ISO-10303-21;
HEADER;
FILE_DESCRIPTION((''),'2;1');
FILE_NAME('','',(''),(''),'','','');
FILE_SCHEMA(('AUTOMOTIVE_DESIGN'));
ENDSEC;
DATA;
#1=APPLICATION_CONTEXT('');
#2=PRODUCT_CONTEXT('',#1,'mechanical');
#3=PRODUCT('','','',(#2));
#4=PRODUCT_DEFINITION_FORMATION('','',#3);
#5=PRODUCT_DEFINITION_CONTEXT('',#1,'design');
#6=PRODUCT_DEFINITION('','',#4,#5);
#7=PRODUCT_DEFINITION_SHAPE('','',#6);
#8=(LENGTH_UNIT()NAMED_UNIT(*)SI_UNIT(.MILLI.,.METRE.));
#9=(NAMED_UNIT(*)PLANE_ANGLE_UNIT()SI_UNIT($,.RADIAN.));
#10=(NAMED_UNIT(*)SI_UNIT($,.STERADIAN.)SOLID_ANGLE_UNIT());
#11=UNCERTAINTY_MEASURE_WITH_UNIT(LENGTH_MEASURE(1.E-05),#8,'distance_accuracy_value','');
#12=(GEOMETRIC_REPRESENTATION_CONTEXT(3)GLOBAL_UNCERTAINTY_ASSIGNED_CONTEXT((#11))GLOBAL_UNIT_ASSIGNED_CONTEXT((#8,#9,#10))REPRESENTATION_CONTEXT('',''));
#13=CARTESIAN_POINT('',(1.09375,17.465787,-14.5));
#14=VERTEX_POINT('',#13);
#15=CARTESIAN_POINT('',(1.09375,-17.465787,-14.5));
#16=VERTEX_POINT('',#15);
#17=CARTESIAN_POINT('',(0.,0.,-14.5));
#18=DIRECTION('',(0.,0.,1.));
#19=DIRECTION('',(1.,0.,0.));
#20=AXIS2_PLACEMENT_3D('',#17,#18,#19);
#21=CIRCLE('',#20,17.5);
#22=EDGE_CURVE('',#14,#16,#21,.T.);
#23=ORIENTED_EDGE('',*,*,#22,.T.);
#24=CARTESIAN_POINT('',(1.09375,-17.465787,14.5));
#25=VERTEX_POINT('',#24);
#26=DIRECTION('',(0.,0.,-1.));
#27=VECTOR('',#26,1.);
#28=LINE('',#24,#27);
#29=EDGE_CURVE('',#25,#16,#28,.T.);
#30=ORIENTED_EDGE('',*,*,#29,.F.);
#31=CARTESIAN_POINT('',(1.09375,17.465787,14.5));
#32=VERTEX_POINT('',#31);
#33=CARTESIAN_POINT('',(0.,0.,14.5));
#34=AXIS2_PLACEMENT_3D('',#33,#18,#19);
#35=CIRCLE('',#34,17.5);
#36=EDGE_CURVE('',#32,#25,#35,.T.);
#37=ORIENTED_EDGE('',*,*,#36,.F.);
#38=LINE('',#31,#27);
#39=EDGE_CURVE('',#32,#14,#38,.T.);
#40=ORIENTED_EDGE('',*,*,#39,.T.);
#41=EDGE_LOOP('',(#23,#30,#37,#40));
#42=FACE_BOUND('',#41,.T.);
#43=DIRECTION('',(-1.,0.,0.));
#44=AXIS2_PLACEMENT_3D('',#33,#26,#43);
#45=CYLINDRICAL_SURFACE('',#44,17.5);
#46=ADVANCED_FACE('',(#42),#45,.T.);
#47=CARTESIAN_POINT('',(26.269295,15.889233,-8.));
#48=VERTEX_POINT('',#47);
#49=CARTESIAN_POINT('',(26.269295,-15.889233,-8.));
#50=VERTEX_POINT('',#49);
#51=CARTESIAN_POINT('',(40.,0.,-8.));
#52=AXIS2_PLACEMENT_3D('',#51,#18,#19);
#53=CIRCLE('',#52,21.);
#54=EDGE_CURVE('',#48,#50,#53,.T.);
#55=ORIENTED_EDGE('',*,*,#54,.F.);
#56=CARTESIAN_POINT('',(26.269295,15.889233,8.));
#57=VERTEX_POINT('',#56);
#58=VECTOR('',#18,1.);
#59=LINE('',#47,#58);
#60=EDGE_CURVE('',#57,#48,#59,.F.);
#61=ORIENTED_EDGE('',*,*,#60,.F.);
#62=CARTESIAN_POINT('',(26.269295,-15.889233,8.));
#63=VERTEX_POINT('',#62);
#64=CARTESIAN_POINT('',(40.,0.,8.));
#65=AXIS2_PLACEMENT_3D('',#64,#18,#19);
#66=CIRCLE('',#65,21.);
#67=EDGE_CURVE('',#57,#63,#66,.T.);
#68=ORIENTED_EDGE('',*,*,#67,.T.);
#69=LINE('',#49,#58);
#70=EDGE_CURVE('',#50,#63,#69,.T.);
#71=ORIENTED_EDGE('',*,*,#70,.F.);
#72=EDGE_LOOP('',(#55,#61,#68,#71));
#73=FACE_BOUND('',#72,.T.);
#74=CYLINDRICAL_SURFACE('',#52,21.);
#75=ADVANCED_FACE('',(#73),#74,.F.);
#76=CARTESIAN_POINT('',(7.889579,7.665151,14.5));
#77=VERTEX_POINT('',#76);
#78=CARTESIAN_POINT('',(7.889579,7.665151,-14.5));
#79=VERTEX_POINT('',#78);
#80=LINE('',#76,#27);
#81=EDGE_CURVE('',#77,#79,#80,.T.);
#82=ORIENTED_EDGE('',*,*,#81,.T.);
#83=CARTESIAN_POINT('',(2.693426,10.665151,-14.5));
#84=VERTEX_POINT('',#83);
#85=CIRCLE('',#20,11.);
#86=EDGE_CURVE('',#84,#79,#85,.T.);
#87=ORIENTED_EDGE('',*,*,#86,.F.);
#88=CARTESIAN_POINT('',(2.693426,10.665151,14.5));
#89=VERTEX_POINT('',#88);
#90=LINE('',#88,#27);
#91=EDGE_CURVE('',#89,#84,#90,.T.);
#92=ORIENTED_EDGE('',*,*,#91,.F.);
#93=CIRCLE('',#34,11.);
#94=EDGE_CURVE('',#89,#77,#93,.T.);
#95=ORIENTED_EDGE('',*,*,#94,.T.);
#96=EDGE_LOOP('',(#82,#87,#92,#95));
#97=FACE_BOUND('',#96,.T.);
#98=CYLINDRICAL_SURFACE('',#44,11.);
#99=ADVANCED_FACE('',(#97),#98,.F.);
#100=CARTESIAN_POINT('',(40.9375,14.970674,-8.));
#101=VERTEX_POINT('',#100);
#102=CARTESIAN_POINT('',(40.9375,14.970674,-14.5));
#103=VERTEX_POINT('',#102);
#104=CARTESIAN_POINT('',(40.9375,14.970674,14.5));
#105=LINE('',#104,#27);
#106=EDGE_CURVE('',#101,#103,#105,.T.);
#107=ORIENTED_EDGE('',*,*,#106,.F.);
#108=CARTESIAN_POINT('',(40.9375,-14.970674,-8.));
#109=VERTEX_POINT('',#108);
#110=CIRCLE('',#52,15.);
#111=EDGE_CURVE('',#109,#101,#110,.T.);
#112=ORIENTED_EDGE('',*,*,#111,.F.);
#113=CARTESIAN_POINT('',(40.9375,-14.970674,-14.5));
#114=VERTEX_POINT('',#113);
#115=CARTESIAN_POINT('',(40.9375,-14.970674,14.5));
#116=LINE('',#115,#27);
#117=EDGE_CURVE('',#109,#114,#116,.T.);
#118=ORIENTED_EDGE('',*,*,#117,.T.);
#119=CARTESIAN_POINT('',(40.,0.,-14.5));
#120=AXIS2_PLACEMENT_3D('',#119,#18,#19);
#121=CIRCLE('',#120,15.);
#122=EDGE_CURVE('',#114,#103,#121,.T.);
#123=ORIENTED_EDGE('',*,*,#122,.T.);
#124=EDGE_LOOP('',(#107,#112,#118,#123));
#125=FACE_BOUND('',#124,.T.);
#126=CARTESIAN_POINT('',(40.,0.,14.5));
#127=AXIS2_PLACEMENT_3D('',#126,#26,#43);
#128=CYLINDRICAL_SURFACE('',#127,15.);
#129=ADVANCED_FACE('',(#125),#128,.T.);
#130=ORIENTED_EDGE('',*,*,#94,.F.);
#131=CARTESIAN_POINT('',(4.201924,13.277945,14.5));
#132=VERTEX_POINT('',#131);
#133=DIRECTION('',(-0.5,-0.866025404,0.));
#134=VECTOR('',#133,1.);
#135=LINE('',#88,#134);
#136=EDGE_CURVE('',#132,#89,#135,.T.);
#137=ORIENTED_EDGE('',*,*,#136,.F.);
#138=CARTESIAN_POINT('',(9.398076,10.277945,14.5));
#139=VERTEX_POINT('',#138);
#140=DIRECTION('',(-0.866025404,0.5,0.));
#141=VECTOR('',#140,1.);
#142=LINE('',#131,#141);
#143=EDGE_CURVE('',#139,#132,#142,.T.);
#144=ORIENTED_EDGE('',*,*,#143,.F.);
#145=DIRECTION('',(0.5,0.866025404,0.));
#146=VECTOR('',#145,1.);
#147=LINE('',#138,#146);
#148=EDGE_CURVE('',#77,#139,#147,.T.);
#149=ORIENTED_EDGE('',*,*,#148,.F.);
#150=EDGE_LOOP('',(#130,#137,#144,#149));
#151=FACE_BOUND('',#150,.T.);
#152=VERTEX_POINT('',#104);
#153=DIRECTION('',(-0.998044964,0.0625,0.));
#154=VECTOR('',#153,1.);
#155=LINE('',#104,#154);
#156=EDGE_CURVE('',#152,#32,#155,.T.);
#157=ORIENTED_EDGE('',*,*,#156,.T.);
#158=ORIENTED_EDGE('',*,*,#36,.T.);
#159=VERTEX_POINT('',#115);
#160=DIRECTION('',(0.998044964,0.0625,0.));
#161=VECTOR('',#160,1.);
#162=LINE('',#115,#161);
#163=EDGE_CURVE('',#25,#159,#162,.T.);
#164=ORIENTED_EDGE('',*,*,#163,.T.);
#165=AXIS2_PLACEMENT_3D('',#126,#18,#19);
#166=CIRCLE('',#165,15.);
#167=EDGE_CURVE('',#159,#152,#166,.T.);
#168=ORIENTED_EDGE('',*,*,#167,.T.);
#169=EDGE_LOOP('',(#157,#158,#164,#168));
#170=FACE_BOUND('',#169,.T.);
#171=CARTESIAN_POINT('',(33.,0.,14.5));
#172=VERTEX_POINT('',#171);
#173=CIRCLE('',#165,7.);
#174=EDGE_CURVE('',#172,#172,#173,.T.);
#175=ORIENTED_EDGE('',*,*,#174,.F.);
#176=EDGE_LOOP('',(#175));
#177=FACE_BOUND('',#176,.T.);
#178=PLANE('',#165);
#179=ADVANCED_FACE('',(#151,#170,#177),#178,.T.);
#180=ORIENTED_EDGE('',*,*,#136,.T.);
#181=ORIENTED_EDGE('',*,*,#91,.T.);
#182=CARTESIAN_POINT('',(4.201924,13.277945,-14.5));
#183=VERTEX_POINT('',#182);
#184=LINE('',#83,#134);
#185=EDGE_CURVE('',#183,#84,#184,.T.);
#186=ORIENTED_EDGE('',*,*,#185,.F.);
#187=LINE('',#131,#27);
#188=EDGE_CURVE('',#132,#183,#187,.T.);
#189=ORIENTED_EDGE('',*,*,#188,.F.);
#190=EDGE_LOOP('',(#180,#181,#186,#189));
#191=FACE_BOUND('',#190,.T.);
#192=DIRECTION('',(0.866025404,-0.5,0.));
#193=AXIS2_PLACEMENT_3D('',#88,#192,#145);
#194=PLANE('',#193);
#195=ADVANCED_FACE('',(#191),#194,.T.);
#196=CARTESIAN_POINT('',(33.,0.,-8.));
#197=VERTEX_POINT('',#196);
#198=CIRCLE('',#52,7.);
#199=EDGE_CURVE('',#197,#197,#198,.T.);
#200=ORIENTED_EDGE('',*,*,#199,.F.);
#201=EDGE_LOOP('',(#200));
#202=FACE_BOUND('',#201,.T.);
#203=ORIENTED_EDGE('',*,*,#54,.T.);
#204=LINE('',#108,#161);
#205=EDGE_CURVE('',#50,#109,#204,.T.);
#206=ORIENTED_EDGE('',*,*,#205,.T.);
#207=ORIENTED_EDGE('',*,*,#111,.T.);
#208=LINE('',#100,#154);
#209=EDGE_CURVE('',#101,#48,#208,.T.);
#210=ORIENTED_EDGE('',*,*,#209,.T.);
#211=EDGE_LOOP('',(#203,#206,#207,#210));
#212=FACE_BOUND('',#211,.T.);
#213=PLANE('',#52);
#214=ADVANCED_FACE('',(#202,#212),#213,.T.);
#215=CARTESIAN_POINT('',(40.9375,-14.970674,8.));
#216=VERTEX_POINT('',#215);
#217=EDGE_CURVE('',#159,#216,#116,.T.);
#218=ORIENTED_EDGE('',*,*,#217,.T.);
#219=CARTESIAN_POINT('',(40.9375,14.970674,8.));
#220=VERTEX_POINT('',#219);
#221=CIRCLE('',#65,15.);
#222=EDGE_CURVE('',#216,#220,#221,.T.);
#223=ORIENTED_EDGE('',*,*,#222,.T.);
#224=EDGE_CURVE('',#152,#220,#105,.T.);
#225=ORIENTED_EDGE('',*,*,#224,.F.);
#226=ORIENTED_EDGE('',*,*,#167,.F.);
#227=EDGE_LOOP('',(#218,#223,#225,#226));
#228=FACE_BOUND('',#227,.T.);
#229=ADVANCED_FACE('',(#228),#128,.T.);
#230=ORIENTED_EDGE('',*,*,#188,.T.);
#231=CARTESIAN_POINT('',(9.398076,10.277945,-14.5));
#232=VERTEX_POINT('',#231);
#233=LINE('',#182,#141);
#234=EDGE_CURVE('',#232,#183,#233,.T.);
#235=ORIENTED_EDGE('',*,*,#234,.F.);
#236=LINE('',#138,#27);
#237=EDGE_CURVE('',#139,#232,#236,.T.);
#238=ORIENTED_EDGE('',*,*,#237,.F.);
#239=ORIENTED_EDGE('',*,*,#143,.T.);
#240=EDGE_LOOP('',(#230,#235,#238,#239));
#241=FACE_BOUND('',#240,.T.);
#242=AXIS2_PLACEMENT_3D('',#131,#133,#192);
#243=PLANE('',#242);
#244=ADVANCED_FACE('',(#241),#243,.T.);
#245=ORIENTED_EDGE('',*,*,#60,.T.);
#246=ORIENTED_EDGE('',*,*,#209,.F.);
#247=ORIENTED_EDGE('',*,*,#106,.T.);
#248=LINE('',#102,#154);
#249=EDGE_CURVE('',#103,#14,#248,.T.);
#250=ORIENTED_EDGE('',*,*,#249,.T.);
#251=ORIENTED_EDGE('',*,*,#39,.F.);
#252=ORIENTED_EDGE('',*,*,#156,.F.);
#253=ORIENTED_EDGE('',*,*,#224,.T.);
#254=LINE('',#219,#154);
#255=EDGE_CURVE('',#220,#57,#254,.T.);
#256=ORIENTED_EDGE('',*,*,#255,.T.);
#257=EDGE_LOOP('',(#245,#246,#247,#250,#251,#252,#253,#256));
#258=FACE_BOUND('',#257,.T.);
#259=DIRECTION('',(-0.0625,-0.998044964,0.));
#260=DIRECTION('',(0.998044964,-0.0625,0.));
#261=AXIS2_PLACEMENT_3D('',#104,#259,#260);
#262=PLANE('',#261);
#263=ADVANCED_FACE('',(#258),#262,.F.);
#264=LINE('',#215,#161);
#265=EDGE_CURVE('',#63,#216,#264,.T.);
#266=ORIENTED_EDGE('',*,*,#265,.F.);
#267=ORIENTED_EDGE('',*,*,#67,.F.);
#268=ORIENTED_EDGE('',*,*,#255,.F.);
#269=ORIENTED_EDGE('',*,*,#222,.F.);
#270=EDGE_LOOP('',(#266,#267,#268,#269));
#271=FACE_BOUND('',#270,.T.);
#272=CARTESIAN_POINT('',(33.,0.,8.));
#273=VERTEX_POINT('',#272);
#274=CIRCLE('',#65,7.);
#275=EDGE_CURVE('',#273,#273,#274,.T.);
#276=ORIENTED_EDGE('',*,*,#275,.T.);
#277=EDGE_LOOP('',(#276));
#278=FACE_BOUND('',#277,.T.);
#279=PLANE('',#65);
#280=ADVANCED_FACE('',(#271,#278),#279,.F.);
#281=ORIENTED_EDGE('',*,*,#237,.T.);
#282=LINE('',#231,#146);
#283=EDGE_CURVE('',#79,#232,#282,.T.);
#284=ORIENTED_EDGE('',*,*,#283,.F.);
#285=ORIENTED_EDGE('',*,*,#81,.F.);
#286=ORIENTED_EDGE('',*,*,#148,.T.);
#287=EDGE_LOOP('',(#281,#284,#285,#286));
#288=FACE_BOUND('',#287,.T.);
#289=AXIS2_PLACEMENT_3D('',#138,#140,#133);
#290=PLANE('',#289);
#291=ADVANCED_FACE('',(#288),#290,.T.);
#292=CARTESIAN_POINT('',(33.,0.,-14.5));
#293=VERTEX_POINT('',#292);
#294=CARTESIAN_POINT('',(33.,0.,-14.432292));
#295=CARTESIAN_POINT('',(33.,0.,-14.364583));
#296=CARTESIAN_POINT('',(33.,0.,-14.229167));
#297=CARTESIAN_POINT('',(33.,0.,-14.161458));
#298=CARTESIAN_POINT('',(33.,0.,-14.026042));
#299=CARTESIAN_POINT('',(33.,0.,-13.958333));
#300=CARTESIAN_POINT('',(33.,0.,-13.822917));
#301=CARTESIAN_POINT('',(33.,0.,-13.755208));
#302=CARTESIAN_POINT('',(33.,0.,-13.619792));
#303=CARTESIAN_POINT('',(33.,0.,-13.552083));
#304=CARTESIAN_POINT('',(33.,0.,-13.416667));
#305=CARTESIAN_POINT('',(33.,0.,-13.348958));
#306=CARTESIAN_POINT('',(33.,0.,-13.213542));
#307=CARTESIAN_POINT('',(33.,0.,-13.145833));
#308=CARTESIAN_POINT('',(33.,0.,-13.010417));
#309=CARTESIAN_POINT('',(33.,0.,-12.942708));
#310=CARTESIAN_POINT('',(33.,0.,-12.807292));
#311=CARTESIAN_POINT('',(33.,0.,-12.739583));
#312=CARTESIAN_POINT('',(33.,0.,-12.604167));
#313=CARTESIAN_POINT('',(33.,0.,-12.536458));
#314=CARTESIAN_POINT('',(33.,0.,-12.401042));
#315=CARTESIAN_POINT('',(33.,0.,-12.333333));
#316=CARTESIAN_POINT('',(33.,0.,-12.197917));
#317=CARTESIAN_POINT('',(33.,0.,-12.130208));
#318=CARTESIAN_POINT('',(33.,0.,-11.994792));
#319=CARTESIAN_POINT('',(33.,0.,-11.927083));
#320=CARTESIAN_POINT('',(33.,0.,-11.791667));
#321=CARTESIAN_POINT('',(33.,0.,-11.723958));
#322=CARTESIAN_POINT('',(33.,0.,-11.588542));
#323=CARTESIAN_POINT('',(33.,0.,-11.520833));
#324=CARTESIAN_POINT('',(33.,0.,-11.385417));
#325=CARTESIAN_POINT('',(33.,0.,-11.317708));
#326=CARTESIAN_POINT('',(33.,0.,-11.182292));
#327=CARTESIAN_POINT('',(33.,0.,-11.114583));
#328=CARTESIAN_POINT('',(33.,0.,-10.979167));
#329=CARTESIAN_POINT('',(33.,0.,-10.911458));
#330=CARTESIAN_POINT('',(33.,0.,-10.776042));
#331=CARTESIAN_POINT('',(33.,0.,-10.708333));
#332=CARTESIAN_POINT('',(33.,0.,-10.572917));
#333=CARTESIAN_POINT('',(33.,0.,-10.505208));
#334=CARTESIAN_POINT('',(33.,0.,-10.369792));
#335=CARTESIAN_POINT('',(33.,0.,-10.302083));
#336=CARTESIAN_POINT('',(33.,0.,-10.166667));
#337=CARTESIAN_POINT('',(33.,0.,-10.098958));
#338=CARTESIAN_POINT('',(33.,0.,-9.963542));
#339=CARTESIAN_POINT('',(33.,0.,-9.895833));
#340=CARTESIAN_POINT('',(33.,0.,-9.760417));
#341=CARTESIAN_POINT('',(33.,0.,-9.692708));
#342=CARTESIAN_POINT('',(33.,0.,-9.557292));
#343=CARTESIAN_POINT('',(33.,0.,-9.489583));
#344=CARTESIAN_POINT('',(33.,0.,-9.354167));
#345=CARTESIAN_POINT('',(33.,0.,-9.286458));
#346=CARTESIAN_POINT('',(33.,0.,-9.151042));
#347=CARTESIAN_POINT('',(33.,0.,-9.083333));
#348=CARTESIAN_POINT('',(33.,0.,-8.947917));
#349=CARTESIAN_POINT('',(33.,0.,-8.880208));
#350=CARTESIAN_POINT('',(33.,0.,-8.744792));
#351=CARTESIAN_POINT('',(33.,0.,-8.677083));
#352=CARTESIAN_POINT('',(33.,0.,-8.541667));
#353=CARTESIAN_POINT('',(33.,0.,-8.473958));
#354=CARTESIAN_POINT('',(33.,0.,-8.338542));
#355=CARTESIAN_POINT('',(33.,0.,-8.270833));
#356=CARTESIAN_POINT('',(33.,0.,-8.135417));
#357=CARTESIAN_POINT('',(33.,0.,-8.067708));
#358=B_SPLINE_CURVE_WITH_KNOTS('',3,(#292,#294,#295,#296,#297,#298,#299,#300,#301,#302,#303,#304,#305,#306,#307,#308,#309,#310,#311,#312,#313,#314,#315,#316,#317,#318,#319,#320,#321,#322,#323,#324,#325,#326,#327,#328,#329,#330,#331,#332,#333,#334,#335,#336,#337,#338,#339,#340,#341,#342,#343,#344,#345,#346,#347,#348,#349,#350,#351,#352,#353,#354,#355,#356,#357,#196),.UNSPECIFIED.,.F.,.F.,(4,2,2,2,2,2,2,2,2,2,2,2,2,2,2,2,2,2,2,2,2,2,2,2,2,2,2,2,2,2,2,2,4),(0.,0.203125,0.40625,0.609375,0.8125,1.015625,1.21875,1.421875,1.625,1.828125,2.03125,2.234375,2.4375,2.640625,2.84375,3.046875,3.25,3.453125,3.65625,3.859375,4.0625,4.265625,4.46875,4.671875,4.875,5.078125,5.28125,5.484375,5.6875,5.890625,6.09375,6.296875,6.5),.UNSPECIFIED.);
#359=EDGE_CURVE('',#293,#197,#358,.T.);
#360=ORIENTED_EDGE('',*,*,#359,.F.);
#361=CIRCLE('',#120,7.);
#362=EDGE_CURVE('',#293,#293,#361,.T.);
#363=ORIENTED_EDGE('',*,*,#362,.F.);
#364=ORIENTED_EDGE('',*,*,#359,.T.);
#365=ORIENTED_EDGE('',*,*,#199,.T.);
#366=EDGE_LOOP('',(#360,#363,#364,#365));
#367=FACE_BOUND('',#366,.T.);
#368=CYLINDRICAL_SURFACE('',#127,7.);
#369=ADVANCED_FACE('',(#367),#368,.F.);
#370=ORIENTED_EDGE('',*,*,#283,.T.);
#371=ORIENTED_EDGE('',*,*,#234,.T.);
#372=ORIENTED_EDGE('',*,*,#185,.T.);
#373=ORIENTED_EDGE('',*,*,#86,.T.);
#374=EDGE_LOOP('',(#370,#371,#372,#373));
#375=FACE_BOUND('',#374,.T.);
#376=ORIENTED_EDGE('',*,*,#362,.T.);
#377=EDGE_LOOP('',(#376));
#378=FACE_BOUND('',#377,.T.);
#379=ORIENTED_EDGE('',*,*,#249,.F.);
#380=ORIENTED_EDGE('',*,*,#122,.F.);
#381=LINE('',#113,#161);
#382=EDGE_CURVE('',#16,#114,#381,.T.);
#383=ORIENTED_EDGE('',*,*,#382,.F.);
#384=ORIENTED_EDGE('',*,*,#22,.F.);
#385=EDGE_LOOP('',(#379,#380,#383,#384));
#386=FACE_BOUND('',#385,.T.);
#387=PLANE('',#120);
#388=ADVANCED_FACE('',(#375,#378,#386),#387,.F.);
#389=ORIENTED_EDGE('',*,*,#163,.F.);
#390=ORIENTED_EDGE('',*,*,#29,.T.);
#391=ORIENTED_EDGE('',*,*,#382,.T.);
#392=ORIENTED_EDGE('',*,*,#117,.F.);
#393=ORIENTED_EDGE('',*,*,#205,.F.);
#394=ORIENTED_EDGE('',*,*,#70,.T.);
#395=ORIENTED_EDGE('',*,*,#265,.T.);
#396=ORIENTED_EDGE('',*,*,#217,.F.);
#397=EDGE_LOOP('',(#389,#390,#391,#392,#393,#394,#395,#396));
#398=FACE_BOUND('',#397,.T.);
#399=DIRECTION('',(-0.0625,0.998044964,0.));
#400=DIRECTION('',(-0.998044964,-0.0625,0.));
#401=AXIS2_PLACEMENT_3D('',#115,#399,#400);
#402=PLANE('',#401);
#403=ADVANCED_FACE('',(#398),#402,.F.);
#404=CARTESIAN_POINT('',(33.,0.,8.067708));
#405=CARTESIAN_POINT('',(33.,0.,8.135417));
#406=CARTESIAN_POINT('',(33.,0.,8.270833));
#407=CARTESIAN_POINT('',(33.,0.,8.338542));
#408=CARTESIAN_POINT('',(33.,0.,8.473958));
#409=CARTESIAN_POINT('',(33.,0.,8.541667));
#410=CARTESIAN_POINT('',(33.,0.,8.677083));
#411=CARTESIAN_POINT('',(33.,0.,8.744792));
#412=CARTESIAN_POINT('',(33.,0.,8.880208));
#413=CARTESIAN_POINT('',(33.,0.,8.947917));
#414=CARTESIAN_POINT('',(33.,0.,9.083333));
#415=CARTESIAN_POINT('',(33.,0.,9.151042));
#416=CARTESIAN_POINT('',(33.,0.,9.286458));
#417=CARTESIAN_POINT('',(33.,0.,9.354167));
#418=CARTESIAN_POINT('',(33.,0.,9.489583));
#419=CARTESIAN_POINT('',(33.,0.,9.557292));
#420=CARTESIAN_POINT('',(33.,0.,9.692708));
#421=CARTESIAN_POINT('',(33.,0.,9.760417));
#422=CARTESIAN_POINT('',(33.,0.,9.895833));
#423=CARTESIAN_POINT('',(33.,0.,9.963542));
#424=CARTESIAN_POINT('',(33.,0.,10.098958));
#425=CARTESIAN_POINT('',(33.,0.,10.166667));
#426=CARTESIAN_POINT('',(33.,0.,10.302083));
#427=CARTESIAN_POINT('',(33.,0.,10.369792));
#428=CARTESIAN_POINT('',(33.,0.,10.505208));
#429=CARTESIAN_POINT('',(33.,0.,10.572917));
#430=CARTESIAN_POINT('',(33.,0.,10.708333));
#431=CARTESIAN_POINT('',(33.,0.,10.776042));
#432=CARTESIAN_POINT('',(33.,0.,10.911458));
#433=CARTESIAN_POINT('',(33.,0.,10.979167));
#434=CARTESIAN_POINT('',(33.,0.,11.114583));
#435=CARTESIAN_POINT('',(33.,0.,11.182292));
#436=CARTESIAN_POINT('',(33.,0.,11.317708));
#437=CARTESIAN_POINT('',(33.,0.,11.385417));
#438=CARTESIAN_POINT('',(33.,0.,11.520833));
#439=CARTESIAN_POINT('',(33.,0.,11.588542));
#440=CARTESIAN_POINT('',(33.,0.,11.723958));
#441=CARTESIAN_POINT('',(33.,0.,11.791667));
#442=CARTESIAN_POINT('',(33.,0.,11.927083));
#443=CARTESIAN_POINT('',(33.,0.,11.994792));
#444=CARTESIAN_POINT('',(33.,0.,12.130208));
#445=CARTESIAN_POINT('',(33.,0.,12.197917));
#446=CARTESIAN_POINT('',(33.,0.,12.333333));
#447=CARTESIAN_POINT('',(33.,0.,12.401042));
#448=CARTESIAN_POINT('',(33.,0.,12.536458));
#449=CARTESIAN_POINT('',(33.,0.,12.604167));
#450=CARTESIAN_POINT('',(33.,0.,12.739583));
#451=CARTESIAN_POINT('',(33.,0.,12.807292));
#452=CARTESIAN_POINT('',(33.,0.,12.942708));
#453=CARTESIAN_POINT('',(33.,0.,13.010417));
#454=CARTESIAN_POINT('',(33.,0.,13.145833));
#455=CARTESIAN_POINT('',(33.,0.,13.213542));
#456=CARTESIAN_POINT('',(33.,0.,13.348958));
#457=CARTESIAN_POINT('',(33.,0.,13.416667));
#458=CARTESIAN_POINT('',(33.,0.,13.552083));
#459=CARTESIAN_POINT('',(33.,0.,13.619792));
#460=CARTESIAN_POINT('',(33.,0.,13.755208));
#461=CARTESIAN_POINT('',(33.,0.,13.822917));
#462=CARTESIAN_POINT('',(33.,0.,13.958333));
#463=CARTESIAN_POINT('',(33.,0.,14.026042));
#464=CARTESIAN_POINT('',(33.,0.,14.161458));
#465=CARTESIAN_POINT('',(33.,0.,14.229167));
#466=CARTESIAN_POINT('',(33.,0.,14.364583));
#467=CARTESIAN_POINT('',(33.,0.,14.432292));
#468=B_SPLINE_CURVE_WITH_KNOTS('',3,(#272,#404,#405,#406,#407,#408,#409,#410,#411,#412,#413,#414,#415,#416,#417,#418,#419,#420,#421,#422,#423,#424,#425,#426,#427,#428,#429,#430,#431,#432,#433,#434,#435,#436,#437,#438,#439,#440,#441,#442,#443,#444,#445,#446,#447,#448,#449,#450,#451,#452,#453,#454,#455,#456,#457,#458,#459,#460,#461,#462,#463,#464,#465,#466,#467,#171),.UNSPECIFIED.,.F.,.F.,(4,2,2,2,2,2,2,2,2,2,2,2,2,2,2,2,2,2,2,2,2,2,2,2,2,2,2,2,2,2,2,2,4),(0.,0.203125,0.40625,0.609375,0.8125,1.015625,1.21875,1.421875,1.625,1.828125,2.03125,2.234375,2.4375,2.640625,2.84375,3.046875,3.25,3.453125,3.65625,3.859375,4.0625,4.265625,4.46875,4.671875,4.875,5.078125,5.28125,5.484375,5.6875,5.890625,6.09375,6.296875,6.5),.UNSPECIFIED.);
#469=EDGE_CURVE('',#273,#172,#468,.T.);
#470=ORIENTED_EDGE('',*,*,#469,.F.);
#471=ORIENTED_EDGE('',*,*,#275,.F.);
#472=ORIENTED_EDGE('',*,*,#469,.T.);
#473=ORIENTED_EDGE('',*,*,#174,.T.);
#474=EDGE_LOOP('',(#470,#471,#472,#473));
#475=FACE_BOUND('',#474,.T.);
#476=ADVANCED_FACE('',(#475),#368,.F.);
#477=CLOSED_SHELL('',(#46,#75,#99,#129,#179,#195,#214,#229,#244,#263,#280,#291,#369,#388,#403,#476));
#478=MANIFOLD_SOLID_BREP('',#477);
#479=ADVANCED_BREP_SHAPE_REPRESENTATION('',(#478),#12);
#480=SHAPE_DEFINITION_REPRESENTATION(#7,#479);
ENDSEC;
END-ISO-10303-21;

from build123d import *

# Parameters (mm, degrees)
SKETCH_1_R          = 7
EXTRUDE_1_DEPTH     = 14.5
SKETCH_2_R          = 21
CUT_EXTRUDE_1_DEPTH = 8


with BuildPart() as part:
    # Эскиз1 → Бобышка-Вытянуть1 (new, symmetric)
    with BuildSketch(Plane.XY):
        with BuildLine():
            Line((40.9375, 14.970674459), (1.09375, 17.465786869))
            ThreePointArc((1.09375, 17.465786869), (-17.5, 0), (1.09375, -17.465786869))
            Line((1.09375, -17.465786869), (40.9375, -14.970674459))
            ThreePointArc((40.9375, -14.970674459), (55, 0), (40.9375, 14.970674459))
        make_face()
        with Locations(Location((40, 0, 0), (0, 0, 180))):
            Circle(SKETCH_1_R, mode=Mode.SUBTRACT)
        with BuildLine():
            Line((2.693426411, 10.66515139), (4.201923789, 13.277945491))
            Line((4.201923789, 13.277945491), (9.398076211, 10.277945491))
            Line((9.398076211, 10.277945491), (7.889578833, 7.66515139))
            ThreePointArc((7.889578833, 7.66515139), (-5.5, -9.526279442), (2.693426411, 10.66515139))
        make_face(mode=Mode.SUBTRACT)
    extrude(amount=EXTRUDE_1_DEPTH, both=True)

    # Эскиз2 → Вырез-Вытянуть1 (cut, symmetric)
    with BuildSketch(Plane.XY):
        with Locations((40, 0)):
            Circle(SKETCH_2_R)
    extrude(amount=CUT_EXTRUDE_1_DEPTH, both=True, mode=Mode.SUBTRACT)


solid = part.part
